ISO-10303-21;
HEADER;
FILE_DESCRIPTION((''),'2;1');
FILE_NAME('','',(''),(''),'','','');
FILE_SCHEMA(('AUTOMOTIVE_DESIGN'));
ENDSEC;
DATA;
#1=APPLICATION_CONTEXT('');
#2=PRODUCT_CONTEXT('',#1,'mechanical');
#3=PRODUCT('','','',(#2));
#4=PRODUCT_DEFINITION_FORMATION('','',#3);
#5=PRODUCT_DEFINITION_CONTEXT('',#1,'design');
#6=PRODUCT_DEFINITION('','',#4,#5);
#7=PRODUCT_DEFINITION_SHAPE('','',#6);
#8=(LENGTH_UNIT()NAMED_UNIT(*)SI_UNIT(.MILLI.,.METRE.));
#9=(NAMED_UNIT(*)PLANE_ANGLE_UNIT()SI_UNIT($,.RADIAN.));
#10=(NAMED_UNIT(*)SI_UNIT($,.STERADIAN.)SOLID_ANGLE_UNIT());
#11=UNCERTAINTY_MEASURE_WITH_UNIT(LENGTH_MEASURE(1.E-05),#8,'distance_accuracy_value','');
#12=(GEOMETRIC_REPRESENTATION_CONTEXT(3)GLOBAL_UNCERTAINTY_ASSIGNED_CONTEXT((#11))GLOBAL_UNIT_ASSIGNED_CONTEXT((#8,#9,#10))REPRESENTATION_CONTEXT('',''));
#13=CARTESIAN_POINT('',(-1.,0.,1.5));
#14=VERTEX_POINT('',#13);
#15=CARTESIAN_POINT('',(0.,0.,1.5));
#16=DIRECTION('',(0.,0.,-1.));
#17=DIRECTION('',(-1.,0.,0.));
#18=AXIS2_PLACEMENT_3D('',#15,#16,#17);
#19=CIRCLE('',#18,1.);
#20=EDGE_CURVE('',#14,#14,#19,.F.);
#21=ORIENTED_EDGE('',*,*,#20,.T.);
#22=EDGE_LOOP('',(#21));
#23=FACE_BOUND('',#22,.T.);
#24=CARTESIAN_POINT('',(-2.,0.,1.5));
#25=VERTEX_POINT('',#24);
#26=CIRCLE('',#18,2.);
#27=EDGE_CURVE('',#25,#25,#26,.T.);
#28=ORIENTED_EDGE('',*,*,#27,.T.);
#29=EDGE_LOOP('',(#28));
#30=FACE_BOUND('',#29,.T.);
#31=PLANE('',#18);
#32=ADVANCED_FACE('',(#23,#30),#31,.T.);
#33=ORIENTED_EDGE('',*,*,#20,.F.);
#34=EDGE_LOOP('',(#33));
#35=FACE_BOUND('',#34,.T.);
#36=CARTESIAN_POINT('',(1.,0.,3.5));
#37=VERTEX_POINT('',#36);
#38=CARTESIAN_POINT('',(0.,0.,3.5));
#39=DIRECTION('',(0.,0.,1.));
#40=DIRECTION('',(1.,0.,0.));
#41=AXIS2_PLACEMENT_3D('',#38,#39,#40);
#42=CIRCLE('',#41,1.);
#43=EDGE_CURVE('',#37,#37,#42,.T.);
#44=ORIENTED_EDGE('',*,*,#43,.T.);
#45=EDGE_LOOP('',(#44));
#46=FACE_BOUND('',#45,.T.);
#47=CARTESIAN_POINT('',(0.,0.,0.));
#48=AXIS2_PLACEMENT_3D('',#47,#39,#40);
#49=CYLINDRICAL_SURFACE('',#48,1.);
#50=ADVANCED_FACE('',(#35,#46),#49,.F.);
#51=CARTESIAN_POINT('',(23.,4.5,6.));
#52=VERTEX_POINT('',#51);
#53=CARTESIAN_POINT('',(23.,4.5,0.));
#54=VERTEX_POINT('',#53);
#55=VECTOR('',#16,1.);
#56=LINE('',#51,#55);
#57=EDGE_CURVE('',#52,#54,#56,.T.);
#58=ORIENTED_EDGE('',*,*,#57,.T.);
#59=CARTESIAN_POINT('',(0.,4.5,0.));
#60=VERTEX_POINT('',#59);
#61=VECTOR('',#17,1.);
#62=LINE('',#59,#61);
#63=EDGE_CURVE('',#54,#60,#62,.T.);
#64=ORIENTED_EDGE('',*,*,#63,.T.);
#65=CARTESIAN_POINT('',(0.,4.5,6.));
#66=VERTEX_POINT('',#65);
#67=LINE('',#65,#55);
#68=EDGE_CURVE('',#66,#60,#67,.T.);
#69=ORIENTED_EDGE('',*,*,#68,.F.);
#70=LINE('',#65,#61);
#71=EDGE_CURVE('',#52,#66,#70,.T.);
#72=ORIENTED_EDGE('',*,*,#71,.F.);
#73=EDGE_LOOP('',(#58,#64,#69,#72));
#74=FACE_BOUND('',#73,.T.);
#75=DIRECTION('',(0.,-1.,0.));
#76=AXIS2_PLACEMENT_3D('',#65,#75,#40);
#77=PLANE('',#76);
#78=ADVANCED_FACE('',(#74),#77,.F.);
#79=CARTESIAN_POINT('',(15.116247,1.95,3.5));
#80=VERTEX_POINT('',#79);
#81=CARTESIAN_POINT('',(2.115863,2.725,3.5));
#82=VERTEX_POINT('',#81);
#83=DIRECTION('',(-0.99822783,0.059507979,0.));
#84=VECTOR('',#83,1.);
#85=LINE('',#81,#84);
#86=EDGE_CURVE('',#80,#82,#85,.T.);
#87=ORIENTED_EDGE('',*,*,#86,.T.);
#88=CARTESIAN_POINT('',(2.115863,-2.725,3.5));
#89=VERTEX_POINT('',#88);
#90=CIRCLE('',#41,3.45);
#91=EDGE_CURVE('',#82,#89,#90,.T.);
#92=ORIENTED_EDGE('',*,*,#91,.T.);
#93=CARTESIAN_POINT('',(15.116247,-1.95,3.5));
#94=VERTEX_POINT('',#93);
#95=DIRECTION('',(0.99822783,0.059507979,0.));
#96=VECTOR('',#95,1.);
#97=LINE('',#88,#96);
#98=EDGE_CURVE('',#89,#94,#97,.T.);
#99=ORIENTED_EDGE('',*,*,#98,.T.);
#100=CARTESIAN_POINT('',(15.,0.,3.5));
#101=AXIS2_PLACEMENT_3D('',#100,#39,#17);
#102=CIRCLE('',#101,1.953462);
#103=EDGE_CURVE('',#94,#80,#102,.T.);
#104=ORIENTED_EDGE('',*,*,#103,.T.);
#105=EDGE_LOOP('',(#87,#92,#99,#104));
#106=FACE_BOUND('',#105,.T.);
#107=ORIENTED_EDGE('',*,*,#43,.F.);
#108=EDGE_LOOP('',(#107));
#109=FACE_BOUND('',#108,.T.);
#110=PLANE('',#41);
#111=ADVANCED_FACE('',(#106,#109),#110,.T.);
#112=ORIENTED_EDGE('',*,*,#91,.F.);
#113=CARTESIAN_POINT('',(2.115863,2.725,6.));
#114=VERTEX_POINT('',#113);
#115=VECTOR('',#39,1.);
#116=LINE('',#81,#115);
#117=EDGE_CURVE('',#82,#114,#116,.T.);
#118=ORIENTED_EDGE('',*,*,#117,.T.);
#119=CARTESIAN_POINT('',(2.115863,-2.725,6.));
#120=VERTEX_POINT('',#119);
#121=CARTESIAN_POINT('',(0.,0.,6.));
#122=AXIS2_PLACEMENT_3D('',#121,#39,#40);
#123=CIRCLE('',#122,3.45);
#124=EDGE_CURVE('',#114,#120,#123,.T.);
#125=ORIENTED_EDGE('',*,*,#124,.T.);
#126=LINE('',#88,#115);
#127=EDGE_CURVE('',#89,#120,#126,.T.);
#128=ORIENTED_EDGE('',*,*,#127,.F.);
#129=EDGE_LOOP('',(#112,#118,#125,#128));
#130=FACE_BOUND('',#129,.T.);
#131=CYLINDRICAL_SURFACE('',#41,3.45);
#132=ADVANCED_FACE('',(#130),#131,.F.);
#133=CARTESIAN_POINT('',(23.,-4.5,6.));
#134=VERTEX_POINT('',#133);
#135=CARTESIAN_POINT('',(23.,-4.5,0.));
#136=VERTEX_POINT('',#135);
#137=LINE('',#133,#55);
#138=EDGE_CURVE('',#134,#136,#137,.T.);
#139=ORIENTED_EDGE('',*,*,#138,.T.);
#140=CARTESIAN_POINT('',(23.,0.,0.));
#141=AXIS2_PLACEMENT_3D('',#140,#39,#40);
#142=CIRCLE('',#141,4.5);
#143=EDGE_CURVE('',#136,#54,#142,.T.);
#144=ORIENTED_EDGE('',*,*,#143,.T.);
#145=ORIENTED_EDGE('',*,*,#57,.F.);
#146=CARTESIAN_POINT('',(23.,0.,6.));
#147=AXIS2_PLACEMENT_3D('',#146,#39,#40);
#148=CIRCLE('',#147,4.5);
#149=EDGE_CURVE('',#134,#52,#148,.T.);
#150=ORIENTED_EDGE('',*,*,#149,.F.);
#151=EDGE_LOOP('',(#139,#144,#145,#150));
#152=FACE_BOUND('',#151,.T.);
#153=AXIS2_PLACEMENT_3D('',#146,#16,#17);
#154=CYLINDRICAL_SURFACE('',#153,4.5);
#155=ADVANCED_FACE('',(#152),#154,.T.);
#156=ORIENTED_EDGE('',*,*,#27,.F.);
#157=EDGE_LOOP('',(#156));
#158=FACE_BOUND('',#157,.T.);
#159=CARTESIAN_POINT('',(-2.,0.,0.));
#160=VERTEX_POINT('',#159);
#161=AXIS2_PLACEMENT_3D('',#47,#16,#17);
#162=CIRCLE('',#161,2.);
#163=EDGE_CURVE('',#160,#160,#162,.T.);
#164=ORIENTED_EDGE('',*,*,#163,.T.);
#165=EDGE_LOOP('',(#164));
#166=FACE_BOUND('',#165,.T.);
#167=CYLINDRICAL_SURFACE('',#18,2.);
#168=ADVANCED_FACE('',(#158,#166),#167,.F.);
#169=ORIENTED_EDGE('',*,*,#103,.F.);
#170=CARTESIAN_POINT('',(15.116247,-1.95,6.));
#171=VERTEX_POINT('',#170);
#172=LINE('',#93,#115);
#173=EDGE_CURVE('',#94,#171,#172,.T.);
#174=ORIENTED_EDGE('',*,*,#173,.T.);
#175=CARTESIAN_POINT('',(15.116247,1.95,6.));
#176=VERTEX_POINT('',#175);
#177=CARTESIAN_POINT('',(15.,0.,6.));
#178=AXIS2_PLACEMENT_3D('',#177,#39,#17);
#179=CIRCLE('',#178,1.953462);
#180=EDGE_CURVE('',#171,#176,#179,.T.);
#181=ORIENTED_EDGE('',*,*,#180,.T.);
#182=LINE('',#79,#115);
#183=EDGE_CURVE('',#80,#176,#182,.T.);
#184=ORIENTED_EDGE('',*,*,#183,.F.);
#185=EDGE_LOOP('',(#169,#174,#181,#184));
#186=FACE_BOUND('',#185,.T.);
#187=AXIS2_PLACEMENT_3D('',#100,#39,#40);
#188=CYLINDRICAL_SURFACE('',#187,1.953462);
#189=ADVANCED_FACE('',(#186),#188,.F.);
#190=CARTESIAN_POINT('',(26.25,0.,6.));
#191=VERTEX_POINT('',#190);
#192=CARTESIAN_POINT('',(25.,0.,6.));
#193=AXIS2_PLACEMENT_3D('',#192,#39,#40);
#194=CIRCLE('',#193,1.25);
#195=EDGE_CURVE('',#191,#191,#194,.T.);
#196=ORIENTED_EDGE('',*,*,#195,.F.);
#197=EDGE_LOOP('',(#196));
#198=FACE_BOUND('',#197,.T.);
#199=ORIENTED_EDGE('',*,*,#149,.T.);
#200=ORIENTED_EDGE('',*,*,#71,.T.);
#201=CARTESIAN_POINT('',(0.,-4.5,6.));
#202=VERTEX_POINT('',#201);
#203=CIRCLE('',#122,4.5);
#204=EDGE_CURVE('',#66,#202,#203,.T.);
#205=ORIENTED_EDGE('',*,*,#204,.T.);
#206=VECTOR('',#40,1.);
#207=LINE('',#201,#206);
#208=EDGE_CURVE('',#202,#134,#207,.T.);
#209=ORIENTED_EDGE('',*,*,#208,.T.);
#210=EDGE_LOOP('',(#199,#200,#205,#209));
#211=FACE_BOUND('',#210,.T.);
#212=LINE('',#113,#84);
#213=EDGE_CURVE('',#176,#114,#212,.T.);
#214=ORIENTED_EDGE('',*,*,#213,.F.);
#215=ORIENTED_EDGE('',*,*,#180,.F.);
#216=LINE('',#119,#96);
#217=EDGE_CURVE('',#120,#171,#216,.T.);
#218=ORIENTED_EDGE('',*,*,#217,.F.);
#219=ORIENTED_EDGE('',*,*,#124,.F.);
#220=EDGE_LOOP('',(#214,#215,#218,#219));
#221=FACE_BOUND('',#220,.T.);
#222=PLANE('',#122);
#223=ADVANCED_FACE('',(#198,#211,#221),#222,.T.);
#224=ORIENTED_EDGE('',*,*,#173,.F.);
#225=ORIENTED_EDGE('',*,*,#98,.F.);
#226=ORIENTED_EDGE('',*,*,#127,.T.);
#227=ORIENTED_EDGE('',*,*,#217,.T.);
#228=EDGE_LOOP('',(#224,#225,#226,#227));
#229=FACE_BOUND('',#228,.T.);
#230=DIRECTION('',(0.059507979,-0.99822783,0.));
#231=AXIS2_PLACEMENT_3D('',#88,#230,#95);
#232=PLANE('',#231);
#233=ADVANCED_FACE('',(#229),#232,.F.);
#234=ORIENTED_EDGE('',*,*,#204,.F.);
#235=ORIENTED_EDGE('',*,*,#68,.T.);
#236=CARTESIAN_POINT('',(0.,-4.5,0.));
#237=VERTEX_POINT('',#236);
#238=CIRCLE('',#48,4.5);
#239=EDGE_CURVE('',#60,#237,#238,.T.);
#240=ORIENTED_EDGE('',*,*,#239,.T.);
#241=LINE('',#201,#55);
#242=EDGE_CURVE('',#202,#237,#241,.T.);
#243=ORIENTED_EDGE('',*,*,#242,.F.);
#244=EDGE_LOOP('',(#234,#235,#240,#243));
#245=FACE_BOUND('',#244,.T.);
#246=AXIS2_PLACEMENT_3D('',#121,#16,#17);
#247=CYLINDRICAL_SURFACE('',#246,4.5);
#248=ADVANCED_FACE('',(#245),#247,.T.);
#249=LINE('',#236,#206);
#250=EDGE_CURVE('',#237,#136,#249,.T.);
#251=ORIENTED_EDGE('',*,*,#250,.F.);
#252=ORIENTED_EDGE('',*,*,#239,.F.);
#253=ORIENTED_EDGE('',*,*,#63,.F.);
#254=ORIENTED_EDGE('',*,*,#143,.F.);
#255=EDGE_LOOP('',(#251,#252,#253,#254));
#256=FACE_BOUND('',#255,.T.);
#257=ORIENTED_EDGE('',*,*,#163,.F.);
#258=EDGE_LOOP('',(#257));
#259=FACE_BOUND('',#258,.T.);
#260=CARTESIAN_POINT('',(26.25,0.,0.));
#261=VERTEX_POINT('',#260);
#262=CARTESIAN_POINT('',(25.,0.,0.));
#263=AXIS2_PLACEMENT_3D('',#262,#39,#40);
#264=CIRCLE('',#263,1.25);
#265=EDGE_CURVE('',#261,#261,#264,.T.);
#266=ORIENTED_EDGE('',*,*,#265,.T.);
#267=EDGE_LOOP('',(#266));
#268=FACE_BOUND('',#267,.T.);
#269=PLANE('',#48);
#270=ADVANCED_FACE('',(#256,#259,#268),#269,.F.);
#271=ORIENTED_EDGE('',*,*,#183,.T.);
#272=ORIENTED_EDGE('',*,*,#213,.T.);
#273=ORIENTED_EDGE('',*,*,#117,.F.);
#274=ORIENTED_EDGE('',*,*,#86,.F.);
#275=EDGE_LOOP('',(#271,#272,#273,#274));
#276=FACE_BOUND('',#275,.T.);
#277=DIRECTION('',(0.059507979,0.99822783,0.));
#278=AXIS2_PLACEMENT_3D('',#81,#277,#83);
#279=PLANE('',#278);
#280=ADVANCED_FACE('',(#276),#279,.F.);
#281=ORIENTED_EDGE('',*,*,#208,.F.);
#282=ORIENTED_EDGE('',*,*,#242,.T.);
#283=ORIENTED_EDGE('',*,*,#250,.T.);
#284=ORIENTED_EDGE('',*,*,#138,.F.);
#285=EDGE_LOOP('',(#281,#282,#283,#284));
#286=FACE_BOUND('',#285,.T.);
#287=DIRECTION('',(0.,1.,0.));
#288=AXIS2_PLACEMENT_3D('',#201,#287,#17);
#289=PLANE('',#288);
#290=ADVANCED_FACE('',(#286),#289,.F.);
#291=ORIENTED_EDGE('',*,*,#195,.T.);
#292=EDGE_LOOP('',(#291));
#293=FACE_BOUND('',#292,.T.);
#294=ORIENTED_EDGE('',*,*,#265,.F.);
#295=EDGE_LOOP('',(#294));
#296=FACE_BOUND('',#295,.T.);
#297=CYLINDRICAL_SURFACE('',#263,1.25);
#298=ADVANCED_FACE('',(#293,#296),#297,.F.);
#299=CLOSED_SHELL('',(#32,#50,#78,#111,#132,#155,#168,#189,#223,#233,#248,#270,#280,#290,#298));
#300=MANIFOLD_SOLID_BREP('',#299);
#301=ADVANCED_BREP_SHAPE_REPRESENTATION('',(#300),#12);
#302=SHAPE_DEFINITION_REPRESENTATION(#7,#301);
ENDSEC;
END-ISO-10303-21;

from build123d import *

# Parameters (mm, degrees)
BOSS_EXTRUDE1_DEPTH = 6
CUT_EXTRUDE1_DEPTH  = 2.5
SKETCH3_R           = 1
CUT_EXTRUDE2_DEPTH  = 7
SKETCH4_R           = 2
CUT_EXTRUDE3_DEPTH  = 1.5
SKETCH5_R           = 1.25
CUT_EXTRUDE4_DEPTH  = 7


with BuildPart() as part:
    # Sketch1 → Boss-Extrude1 (new body)
    with BuildSketch(Plane.XY):
        with BuildLine():
            Line((0, 4.5), (23, 4.5))
            ThreePointArc((23, 4.5), (27.5, 0), (23, -4.5))
            Line((23, -4.5), (0, -4.5))
            ThreePointArc((0, -4.5), (-4.5, 0), (0, 4.5))
        make_face()
    extrude(amount=BOSS_EXTRUDE1_DEPTH)

    # Sketch2 → Cut-Extrude1 (cut)
    with BuildSketch(Plane.XY.offset(6)):
        with BuildLine():
            Line((2.115862708, 2.725), (15.116246568, 1.95))
            ThreePointArc((15.116246568, 1.95), (16.953461867, 0), (15.116246568, -1.95))
            Line((15.116246568, -1.95), (2.115862708, -2.725))
            ThreePointArc((2.115862708, -2.725), (-3.45, 0), (2.115862708, 2.725))
        make_face()
    extrude(amount=-CUT_EXTRUDE1_DEPTH, mode=Mode.SUBTRACT)

    # Sketch3 → Cut-Extrude2 (cut, through all)
    with BuildSketch(Plane.XY.offset(6)):
        Circle(SKETCH3_R)
    extrude(amount=-CUT_EXTRUDE2_DEPTH, mode=Mode.SUBTRACT)

    # Sketch4 → Cut-Extrude3 (cut)
    with BuildSketch(Plane(origin=(0, 0, 0), x_dir=(-1, 0, 0), z_dir=(0, 0, -1))):
        Circle(SKETCH4_R)
    extrude(amount=-CUT_EXTRUDE3_DEPTH, mode=Mode.SUBTRACT)

    # Sketch5 → Cut-Extrude4 (cut, through all)
    with BuildSketch(Plane.XY.offset(6)):
        with Locations((25, 0)):
            Circle(SKETCH5_R)
    extrude(amount=-CUT_EXTRUDE4_DEPTH, mode=Mode.SUBTRACT)


solid = part.part
